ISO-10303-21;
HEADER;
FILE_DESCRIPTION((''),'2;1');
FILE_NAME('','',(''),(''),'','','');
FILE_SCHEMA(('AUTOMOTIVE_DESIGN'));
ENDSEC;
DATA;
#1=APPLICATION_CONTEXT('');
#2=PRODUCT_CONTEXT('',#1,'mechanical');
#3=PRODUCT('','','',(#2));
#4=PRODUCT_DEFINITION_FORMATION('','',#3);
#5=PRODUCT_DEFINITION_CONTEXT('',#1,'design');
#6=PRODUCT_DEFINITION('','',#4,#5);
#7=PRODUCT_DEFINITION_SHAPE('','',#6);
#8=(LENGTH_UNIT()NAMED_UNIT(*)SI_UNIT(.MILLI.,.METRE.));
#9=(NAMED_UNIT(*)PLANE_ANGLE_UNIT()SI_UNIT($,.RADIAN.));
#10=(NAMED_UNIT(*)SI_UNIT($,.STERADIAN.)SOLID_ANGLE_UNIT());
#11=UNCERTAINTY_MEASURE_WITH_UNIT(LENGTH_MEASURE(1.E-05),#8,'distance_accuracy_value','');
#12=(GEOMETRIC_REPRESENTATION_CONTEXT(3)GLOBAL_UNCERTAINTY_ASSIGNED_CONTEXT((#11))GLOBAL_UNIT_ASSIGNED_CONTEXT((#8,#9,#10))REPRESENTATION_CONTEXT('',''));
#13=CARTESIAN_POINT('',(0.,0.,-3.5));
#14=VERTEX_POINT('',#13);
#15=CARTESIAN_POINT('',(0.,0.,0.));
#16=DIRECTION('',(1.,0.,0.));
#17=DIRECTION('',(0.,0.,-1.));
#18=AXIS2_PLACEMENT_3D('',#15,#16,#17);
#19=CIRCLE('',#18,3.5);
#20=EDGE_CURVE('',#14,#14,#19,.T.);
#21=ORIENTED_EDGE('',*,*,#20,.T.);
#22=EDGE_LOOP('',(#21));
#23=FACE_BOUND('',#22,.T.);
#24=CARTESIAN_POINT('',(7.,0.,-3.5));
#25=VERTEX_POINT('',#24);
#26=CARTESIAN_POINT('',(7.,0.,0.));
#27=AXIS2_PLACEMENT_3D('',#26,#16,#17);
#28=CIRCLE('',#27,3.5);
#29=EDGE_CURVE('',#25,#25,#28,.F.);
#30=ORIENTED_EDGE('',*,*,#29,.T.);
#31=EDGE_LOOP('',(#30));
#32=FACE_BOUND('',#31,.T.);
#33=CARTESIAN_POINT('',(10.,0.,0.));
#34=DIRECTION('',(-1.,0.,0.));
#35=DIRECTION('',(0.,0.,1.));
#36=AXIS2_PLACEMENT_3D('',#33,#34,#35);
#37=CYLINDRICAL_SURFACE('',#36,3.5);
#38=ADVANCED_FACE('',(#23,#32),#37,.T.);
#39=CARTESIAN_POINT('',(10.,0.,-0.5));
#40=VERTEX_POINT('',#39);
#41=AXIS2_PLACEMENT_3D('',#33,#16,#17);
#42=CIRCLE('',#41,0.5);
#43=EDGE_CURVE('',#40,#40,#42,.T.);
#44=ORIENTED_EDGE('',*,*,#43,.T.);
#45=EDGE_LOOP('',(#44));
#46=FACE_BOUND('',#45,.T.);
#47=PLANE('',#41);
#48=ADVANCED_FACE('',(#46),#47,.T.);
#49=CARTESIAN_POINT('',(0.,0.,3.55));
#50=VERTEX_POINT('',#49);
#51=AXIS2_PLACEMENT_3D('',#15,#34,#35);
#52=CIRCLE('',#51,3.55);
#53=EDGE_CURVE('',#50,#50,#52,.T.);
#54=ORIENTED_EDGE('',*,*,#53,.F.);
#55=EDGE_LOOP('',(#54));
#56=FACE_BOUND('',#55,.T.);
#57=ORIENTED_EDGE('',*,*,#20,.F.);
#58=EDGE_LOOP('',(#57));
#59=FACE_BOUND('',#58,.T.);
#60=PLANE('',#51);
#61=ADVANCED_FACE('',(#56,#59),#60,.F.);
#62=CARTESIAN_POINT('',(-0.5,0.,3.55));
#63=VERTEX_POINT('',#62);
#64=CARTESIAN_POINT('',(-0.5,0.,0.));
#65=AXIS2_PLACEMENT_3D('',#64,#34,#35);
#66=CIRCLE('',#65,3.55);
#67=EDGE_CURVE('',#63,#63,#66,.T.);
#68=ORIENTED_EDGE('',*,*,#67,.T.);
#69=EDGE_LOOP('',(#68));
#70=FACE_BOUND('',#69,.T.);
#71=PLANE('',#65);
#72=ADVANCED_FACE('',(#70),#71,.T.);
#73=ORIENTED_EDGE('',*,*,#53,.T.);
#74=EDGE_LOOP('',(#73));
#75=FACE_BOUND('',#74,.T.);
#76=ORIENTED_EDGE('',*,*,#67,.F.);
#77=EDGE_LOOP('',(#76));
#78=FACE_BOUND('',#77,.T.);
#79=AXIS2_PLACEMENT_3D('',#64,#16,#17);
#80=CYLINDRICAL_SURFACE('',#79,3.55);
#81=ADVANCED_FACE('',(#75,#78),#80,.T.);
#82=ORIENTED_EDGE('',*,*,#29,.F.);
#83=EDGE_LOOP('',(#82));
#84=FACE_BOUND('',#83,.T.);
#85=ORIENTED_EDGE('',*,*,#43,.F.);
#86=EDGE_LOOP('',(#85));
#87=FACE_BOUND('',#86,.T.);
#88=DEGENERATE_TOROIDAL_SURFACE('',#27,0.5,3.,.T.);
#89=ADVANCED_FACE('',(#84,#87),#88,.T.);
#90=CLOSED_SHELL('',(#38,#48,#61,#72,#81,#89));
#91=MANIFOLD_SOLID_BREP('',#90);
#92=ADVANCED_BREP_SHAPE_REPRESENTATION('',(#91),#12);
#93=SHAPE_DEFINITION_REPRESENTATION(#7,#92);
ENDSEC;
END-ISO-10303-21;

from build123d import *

# Parameters (mm, degrees)
CROQUIS1_R              = 3.5
SALIENTE_EXTRUIR1_DEPTH = 10
REDONDEO1_R             = 3
CROQUIS2_R              = 3.55
SALIENTE_EXTRUIR2_DEPTH = 0.5


with BuildPart() as part:
    # Croquis1 → Saliente-Extruir1 (new body)
    with BuildSketch(Plane(origin=(0, 0, 0), x_dir=(0, 0, -1), z_dir=(1, 0, 0))):
        Circle(CROQUIS1_R)
    extrude(amount=SALIENTE_EXTRUIR1_DEPTH)

    # Redondeo1
    redondeo1_edges = [part.edges().sort_by_distance(p)[0] for p in [
        (10, 0, 3.5),
    ]]
    fillet(redondeo1_edges, radius=REDONDEO1_R)

    # Croquis2 → Saliente-Extruir2 (add)
    with BuildSketch(Plane.ZY):
        Circle(CROQUIS2_R)
    extrude(amount=SALIENTE_EXTRUIR2_DEPTH)


solid = part.part
